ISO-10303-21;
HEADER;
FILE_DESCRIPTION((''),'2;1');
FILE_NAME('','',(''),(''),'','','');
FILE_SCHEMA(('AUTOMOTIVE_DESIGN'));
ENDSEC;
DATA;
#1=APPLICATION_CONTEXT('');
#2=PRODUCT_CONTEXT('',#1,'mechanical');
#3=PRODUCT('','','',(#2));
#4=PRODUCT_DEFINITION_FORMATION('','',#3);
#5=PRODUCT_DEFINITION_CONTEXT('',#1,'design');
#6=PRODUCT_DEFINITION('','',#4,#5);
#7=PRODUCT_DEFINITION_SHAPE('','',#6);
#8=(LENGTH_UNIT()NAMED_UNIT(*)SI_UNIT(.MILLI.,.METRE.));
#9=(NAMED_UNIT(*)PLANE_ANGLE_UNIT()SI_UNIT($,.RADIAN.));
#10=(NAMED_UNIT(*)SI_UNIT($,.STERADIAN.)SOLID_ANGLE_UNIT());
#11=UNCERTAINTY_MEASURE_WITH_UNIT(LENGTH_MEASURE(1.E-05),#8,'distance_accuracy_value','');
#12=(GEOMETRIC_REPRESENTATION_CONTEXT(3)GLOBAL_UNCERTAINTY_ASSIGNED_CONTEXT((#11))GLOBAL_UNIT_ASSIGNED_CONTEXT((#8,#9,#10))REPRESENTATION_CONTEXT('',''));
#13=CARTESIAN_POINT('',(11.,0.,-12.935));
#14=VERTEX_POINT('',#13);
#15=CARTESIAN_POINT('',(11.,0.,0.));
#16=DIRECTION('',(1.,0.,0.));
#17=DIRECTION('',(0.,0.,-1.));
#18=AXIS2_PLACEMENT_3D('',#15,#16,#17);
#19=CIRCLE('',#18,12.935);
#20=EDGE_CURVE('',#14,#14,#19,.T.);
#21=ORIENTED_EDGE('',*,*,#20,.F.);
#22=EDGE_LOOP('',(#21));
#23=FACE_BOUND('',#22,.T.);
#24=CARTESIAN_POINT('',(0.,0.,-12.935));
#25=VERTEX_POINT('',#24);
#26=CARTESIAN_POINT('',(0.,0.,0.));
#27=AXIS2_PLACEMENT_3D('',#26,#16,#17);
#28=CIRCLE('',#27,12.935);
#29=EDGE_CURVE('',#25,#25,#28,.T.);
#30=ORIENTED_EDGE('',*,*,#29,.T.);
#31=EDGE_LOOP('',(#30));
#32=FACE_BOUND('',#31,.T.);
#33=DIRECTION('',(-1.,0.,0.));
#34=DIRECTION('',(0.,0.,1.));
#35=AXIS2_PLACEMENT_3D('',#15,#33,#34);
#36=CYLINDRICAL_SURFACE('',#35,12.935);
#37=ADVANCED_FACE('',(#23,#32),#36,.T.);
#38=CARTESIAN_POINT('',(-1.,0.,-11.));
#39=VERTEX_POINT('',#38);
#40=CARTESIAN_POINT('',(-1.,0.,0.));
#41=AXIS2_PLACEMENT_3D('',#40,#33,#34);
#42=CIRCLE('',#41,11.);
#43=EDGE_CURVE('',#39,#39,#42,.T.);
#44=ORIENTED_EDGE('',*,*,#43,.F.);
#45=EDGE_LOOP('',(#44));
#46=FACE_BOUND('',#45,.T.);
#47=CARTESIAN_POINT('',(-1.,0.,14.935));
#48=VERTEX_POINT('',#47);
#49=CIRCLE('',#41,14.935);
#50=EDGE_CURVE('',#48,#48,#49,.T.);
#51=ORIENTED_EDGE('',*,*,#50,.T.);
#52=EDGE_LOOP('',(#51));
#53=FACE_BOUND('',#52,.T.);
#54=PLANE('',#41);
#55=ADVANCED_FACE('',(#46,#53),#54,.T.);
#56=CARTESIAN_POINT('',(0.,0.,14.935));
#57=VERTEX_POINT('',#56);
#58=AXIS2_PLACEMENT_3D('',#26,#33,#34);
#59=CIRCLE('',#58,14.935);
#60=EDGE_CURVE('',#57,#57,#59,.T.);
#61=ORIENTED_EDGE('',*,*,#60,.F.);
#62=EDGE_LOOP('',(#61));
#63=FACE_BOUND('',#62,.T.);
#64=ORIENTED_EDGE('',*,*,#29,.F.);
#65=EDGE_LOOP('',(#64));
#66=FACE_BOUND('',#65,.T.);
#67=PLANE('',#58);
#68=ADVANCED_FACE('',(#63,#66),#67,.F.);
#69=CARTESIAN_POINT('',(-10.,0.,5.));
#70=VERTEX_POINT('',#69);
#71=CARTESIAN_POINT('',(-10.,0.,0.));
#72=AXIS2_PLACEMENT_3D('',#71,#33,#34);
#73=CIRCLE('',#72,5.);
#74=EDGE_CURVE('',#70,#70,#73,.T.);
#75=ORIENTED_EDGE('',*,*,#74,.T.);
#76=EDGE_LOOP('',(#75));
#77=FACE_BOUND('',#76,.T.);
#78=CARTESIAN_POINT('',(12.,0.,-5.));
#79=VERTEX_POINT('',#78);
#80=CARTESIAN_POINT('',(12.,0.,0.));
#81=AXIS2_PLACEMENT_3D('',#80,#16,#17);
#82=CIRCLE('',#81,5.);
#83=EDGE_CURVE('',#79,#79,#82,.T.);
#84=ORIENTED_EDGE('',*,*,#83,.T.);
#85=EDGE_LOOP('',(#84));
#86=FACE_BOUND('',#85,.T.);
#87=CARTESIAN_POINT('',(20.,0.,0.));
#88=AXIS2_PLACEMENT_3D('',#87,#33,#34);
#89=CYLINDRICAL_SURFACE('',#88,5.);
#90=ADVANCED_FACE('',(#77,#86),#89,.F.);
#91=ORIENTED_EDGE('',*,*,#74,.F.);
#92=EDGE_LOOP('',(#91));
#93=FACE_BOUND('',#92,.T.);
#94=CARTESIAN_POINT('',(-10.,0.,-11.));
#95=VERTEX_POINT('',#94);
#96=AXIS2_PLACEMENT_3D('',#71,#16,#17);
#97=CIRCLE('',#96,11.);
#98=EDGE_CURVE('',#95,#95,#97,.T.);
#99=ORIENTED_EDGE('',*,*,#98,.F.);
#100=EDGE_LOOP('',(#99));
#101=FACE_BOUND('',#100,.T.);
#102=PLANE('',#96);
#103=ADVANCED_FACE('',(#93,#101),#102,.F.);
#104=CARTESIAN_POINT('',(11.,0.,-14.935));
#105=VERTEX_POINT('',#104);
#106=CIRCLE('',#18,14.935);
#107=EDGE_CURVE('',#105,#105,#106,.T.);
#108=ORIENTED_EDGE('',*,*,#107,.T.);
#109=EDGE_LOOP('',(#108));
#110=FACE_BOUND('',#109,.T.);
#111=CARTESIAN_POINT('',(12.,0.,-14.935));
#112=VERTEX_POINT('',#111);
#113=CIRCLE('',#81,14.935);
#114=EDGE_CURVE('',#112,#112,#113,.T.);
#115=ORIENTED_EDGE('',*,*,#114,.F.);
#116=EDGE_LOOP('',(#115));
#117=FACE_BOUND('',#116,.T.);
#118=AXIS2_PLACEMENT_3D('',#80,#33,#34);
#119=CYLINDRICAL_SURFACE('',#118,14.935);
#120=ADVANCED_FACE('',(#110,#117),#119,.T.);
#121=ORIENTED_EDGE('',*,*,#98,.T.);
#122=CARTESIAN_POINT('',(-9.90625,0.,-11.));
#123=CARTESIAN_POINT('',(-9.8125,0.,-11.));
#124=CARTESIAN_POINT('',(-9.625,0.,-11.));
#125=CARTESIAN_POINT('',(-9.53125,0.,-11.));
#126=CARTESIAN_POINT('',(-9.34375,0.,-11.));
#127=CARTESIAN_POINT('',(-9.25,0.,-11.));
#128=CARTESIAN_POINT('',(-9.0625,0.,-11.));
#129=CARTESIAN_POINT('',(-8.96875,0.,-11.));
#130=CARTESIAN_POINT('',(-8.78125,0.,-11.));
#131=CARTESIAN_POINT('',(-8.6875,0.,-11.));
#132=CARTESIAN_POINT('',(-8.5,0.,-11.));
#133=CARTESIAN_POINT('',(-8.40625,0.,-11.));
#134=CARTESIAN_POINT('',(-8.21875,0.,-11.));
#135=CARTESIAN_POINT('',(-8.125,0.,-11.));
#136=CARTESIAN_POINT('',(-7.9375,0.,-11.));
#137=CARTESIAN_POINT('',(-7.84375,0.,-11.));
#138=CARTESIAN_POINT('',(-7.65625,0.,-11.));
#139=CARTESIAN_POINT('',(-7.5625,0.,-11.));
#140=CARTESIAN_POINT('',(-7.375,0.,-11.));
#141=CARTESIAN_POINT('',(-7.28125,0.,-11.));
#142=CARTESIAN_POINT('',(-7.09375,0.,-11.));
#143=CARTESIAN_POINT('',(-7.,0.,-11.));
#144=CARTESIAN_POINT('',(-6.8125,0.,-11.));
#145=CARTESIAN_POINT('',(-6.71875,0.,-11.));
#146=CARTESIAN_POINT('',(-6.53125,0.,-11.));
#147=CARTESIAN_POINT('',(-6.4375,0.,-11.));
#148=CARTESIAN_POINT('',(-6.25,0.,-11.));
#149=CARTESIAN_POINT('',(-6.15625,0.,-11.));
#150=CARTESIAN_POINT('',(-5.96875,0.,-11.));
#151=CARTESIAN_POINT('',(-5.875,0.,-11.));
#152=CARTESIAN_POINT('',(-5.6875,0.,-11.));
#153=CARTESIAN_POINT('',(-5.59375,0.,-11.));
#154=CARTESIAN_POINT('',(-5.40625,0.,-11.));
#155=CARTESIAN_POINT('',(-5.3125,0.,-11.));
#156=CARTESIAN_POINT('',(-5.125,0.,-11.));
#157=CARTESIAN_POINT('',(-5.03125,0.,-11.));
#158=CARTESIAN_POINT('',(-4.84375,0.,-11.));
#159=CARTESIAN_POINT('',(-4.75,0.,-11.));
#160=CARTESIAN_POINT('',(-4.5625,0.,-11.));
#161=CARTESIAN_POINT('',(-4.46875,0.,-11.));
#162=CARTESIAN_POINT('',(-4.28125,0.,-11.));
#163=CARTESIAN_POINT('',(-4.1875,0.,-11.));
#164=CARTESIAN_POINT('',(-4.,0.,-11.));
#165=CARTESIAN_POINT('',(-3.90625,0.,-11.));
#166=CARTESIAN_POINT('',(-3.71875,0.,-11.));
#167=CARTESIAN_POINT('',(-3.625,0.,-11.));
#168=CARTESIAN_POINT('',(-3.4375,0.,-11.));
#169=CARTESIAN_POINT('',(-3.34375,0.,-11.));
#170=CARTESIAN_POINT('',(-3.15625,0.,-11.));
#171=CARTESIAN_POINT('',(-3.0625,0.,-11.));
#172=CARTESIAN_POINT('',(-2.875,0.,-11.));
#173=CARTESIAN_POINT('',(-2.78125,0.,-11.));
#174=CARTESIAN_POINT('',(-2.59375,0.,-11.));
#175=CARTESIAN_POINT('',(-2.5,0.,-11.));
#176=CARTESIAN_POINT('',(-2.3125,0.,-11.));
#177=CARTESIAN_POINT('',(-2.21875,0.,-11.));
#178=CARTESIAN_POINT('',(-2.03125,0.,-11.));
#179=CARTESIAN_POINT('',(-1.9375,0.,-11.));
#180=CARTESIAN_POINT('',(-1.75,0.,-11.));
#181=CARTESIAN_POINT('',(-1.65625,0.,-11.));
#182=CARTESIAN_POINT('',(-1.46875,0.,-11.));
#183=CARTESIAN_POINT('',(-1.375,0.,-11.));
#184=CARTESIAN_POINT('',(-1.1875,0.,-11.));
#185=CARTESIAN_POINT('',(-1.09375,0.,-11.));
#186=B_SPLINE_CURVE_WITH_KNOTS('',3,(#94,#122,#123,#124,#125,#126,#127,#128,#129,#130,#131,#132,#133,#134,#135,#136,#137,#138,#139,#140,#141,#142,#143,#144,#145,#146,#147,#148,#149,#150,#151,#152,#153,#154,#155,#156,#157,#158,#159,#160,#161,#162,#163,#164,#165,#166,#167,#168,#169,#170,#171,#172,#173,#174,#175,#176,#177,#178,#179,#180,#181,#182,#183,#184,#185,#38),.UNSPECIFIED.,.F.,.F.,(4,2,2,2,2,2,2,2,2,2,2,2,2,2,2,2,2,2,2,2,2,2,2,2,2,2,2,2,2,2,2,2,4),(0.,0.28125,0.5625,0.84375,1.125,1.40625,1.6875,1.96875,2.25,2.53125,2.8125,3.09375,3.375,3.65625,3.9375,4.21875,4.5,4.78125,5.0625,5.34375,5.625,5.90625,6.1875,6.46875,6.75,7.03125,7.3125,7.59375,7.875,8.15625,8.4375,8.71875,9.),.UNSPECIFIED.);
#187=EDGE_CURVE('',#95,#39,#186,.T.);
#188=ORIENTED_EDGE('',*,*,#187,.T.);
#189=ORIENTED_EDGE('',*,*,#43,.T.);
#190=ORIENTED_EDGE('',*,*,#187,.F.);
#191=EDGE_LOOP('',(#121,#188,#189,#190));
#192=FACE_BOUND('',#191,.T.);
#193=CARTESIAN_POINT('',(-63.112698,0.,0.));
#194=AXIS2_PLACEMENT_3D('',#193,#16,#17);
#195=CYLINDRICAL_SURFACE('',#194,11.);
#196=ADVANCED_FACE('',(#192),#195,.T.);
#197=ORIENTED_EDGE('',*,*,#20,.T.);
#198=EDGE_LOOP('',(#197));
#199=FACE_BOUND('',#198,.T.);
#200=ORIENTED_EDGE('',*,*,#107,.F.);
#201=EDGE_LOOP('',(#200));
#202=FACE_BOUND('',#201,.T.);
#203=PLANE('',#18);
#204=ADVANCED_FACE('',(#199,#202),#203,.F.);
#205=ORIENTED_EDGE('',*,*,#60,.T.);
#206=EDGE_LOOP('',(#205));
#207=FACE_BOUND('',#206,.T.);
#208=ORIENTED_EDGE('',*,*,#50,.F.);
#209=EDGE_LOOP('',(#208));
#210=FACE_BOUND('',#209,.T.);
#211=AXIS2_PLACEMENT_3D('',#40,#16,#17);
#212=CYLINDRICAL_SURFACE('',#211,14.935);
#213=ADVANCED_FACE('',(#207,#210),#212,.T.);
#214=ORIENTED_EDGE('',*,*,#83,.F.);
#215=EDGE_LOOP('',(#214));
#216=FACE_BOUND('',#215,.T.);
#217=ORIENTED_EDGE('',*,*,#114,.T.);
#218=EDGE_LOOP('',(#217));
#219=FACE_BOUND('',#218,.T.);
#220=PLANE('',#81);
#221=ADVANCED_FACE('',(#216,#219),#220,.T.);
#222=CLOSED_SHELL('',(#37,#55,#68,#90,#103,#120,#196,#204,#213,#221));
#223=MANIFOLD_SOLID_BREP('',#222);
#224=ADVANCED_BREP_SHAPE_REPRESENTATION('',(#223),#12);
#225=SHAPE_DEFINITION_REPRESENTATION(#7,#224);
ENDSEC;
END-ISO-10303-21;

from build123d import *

# Parameters (mm, degrees)
SKETCH_1_R          = 12.935
EXTRUDE_1_DEPTH     = 11
SKETCH_2_R          = 14.935
EXTRUDE_2_DEPTH     = 1
EXTRUDE_START       = 1
SKETCH_3_R          = 14.935
EXTRUDE_3_DEPTH     = 1
SKETCH_4_R          = 11
EXTRUDE_4_DEPTH     = 9
SKETCH_5_R          = 5
CUT_EXTRUDE_1_DEPTH = 30


with BuildPart() as part:
    # 草图1 → 凸台-拉伸1 (new body)
    with BuildSketch(Plane(origin=(0, 0, 0), x_dir=(0, 0, -1), z_dir=(1, 0, 0))):
        Circle(SKETCH_1_R)
    extrude(amount=EXTRUDE_1_DEPTH)

    # 草图2 → 凸台-拉伸2 (add)
    with BuildSketch(Plane(origin=(11, 0, 0), x_dir=(0, 0, -1), z_dir=(1, 0, 0))):
        Circle(SKETCH_2_R)
    extrude(amount=EXTRUDE_2_DEPTH)

    # 草图3 → 凸台-拉伸3 (add)
    with BuildSketch(Plane.ZY.offset(EXTRUDE_START)):
        with Locations(Location((0, 0, 0), (0, 0, 180))):
            Circle(SKETCH_3_R)
    extrude(amount=-EXTRUDE_3_DEPTH)

    # 草图4 → 凸台-拉伸4 (add)
    with BuildSketch(Plane.ZY.offset(1)):
        with Locations(Location((0, 0, 0), (0, 0, 180))):
            Circle(SKETCH_4_R)
    extrude(amount=EXTRUDE_4_DEPTH)

    # 草图5 → 切除-拉伸1 (cut)
    with BuildSketch(Plane.ZY.offset(10)):
        Circle(SKETCH_5_R)
    extrude(amount=-CUT_EXTRUDE_1_DEPTH, mode=Mode.SUBTRACT)


solid = part.part
